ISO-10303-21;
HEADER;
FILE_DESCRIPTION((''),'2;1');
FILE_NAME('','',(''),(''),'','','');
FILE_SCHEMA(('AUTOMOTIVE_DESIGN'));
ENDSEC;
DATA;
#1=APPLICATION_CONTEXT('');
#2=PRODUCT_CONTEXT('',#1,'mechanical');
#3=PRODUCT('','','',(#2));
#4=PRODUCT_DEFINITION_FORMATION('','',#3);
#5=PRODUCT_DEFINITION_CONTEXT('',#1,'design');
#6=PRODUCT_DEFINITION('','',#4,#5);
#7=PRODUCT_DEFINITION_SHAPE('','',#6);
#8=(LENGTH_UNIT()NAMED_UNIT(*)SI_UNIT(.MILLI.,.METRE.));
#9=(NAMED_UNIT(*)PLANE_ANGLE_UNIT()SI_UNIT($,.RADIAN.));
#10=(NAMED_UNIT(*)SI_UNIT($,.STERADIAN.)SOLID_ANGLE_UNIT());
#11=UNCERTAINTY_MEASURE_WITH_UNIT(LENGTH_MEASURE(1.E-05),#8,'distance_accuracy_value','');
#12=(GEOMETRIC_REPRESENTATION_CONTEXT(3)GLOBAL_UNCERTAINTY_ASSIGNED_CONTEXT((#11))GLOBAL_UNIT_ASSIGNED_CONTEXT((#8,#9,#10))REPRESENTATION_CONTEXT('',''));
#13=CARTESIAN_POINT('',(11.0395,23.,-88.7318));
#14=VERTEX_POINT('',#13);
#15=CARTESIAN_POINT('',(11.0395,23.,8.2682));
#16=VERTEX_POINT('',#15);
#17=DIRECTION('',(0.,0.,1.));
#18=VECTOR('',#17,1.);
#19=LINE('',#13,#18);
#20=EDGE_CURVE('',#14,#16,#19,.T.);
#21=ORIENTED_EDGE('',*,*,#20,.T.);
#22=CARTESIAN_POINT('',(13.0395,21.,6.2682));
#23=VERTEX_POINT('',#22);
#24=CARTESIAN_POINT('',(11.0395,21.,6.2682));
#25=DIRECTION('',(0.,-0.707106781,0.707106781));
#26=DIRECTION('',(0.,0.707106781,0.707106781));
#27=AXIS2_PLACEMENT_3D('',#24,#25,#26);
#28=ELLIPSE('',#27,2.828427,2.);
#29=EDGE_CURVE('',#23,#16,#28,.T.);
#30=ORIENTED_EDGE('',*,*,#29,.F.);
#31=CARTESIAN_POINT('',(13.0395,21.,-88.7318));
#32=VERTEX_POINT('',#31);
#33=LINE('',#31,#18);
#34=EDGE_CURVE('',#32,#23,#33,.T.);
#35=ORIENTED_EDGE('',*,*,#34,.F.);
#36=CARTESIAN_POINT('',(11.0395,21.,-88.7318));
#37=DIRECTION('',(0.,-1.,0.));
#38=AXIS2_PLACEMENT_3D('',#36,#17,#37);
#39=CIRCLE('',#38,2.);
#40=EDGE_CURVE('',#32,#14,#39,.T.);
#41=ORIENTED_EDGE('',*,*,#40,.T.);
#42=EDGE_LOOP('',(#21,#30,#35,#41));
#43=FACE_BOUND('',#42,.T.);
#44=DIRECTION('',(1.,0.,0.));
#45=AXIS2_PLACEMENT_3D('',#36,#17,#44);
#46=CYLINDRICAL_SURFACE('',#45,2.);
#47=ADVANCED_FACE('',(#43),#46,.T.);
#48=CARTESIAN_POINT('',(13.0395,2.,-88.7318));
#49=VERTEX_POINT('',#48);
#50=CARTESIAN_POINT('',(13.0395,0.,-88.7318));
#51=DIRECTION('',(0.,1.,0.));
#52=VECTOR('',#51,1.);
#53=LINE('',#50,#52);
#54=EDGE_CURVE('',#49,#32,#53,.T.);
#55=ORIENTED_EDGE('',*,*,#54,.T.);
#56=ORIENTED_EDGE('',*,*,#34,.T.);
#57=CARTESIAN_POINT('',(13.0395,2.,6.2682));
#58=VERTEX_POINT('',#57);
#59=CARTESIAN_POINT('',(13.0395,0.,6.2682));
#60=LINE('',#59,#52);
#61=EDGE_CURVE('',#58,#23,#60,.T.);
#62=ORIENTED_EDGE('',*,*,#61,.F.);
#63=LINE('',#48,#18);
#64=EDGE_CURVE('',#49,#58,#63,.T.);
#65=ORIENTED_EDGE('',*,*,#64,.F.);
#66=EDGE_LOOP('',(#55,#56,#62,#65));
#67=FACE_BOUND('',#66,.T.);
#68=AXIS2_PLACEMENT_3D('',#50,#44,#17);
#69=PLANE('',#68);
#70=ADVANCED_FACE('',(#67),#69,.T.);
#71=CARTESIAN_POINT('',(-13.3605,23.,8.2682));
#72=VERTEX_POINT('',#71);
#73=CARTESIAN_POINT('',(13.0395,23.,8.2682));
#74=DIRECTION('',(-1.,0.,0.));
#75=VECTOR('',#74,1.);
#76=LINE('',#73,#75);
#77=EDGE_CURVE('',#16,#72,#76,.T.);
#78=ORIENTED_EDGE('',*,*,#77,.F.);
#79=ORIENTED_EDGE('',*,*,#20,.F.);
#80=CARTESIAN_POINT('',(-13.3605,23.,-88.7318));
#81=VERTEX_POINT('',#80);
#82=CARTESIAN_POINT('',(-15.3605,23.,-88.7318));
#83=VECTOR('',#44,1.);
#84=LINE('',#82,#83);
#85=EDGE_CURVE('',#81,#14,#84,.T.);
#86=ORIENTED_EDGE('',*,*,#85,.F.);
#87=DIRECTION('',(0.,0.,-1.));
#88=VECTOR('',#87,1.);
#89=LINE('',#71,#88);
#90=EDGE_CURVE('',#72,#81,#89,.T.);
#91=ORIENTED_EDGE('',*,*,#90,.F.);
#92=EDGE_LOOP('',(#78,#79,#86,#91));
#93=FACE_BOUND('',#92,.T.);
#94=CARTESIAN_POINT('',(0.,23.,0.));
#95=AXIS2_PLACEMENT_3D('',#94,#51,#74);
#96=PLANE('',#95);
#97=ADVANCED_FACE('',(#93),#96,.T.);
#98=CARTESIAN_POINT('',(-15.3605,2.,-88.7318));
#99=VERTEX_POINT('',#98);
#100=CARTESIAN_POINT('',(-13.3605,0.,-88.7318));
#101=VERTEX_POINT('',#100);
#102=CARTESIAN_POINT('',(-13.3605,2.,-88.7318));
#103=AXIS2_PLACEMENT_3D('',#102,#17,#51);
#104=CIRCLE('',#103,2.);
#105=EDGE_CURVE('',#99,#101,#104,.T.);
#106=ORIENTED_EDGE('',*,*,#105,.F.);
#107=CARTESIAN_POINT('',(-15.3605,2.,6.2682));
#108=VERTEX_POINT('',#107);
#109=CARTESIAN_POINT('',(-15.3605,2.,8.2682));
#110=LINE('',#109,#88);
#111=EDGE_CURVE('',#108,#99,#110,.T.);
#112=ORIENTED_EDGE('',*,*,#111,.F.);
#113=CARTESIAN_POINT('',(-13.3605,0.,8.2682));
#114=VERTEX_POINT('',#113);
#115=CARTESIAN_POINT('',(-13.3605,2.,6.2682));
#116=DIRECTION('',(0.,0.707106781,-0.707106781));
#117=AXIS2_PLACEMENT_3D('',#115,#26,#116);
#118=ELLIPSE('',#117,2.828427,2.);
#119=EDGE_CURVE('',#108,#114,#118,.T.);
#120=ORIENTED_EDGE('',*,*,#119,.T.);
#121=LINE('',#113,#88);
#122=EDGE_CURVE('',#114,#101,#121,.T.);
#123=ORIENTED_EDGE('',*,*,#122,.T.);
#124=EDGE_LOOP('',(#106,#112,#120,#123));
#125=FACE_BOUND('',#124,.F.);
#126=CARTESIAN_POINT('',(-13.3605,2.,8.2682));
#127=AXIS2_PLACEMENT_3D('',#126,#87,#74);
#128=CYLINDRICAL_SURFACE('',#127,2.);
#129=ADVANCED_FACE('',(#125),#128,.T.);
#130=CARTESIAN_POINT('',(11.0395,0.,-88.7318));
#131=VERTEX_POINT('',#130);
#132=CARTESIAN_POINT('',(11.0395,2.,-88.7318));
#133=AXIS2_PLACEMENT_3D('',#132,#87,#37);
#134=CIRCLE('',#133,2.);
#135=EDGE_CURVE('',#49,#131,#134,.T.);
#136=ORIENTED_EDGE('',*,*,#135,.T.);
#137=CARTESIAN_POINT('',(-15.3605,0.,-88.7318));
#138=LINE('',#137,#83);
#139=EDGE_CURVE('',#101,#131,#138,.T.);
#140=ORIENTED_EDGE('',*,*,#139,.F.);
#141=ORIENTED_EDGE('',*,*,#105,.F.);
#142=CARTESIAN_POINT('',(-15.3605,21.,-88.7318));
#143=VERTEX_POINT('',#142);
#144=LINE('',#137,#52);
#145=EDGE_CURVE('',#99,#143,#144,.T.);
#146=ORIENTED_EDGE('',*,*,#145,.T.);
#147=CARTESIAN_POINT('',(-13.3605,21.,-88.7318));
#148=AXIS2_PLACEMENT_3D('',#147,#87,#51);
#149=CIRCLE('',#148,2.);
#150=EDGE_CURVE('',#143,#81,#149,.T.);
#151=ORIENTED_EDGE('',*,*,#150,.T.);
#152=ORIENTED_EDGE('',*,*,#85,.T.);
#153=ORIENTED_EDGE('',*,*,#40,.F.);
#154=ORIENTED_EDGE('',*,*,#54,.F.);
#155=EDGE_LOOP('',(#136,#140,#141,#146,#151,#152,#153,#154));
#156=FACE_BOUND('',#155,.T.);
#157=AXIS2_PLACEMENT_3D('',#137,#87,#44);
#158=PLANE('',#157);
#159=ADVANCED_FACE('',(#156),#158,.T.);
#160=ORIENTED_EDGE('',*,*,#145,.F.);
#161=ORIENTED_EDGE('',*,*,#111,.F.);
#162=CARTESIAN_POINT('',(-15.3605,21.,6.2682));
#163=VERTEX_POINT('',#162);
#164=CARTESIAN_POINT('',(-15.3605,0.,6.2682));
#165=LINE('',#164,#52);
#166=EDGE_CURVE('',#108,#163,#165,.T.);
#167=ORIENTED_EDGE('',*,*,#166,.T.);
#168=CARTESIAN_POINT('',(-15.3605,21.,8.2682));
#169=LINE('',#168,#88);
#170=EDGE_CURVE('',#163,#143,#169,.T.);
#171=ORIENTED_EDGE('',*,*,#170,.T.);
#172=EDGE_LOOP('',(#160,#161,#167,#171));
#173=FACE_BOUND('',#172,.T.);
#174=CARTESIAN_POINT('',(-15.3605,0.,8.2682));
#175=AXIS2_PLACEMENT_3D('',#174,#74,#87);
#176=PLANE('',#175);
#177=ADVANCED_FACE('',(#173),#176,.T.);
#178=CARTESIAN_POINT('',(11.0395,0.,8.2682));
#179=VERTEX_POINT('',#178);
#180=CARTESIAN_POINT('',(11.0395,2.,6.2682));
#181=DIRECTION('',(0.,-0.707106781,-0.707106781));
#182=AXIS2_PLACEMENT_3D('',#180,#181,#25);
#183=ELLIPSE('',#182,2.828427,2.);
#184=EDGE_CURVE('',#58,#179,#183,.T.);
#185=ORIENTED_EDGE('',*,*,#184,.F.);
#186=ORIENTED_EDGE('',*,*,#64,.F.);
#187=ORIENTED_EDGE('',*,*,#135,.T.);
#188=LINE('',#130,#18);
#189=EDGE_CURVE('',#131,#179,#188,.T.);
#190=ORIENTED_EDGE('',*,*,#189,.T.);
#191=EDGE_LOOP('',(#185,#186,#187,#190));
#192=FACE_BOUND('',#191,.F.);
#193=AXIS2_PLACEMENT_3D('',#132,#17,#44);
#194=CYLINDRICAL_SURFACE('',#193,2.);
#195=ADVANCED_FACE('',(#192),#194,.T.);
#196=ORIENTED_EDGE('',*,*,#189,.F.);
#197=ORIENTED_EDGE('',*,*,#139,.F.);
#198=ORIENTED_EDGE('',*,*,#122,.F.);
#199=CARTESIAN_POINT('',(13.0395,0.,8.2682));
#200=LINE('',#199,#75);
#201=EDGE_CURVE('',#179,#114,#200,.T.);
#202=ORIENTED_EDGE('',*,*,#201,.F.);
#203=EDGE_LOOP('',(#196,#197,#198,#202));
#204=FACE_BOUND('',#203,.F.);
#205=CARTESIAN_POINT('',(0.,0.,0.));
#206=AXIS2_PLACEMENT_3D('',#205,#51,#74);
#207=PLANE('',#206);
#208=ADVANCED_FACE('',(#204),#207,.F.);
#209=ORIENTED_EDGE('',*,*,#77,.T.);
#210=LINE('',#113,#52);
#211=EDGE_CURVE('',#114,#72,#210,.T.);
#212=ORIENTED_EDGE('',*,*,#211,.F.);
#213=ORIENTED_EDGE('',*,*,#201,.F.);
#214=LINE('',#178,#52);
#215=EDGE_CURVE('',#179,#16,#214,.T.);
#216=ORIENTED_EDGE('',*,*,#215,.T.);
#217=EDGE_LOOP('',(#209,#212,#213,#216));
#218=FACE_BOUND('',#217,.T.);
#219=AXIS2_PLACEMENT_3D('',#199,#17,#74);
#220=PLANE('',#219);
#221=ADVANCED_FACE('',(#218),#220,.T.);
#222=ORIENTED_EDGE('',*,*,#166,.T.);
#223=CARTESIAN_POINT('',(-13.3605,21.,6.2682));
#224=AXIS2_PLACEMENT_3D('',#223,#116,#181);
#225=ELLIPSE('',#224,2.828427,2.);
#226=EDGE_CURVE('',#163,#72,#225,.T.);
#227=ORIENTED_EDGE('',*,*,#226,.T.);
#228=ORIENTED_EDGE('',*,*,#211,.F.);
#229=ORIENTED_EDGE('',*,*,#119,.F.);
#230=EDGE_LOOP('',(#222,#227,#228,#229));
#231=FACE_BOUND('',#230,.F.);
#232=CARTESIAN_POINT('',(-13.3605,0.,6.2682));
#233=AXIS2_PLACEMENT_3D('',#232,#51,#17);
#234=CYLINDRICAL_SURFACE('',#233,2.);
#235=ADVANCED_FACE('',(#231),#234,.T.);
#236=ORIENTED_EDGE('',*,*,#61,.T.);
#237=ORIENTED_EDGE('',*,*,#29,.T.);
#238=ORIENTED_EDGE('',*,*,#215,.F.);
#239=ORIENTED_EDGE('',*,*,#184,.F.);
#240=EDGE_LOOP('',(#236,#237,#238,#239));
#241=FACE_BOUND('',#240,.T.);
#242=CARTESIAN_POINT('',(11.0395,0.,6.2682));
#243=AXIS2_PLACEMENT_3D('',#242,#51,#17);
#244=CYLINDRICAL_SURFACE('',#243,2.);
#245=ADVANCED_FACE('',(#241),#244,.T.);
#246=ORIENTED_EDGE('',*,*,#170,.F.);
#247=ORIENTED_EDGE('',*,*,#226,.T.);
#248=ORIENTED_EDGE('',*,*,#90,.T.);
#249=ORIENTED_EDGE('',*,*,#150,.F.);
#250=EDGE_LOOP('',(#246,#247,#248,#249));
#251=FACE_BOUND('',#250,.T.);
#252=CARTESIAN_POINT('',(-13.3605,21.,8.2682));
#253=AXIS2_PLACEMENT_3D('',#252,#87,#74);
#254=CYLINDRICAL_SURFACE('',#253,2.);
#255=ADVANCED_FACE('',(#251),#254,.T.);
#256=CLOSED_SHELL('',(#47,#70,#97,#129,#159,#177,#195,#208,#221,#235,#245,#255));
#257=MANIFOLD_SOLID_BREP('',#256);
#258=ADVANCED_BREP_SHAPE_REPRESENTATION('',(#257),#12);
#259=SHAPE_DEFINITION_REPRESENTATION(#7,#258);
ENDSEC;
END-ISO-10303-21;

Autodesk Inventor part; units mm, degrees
ref_plane "YZ Plane" through (0, 0, 0) normal (1, 0, 0) x (0, 1, 0)
ref_plane "XZ Plane" through (0, 0, 0) normal (0, 1, 0) x (-1, 0, 0)
ref_plane "XY Plane" through (0, 0, 0) normal (0, 0, 1) x (1, 0, 0)
sketch "Sketch1" plane through (0, 0, 0) normal (0, 1, 0) x (-1, 0, 0)
  line L0 (-13.0395, 8.2682) -> (15.3605, 8.2682)
  line L1 (15.3605, 8.2682) -> (15.3605, -88.7318)
  line L2 (15.3605, -88.7318) -> (-13.0395, -88.7318)
  line L3 (-13.0395, -88.7318) -> (-13.0395, 8.2682)
  point P0 (0, 0)
  dimension "d0" = 28.4
  dimension "d1" = 97
extrude "Extrusion1" add sketch "Sketch1" along normal blind 23
fillet "Fillet1" radius 2 6 edges at (13.0395, 23, -40.2318) (13.0395, 0, -40.2318) (-15.3605, 23, -40.2318) (-15.3605, 0, -40.2318) (13.0395, 11.5, 8.2682) (-15.3605, 11.5, 8.2682)
properties part number "bateria"
